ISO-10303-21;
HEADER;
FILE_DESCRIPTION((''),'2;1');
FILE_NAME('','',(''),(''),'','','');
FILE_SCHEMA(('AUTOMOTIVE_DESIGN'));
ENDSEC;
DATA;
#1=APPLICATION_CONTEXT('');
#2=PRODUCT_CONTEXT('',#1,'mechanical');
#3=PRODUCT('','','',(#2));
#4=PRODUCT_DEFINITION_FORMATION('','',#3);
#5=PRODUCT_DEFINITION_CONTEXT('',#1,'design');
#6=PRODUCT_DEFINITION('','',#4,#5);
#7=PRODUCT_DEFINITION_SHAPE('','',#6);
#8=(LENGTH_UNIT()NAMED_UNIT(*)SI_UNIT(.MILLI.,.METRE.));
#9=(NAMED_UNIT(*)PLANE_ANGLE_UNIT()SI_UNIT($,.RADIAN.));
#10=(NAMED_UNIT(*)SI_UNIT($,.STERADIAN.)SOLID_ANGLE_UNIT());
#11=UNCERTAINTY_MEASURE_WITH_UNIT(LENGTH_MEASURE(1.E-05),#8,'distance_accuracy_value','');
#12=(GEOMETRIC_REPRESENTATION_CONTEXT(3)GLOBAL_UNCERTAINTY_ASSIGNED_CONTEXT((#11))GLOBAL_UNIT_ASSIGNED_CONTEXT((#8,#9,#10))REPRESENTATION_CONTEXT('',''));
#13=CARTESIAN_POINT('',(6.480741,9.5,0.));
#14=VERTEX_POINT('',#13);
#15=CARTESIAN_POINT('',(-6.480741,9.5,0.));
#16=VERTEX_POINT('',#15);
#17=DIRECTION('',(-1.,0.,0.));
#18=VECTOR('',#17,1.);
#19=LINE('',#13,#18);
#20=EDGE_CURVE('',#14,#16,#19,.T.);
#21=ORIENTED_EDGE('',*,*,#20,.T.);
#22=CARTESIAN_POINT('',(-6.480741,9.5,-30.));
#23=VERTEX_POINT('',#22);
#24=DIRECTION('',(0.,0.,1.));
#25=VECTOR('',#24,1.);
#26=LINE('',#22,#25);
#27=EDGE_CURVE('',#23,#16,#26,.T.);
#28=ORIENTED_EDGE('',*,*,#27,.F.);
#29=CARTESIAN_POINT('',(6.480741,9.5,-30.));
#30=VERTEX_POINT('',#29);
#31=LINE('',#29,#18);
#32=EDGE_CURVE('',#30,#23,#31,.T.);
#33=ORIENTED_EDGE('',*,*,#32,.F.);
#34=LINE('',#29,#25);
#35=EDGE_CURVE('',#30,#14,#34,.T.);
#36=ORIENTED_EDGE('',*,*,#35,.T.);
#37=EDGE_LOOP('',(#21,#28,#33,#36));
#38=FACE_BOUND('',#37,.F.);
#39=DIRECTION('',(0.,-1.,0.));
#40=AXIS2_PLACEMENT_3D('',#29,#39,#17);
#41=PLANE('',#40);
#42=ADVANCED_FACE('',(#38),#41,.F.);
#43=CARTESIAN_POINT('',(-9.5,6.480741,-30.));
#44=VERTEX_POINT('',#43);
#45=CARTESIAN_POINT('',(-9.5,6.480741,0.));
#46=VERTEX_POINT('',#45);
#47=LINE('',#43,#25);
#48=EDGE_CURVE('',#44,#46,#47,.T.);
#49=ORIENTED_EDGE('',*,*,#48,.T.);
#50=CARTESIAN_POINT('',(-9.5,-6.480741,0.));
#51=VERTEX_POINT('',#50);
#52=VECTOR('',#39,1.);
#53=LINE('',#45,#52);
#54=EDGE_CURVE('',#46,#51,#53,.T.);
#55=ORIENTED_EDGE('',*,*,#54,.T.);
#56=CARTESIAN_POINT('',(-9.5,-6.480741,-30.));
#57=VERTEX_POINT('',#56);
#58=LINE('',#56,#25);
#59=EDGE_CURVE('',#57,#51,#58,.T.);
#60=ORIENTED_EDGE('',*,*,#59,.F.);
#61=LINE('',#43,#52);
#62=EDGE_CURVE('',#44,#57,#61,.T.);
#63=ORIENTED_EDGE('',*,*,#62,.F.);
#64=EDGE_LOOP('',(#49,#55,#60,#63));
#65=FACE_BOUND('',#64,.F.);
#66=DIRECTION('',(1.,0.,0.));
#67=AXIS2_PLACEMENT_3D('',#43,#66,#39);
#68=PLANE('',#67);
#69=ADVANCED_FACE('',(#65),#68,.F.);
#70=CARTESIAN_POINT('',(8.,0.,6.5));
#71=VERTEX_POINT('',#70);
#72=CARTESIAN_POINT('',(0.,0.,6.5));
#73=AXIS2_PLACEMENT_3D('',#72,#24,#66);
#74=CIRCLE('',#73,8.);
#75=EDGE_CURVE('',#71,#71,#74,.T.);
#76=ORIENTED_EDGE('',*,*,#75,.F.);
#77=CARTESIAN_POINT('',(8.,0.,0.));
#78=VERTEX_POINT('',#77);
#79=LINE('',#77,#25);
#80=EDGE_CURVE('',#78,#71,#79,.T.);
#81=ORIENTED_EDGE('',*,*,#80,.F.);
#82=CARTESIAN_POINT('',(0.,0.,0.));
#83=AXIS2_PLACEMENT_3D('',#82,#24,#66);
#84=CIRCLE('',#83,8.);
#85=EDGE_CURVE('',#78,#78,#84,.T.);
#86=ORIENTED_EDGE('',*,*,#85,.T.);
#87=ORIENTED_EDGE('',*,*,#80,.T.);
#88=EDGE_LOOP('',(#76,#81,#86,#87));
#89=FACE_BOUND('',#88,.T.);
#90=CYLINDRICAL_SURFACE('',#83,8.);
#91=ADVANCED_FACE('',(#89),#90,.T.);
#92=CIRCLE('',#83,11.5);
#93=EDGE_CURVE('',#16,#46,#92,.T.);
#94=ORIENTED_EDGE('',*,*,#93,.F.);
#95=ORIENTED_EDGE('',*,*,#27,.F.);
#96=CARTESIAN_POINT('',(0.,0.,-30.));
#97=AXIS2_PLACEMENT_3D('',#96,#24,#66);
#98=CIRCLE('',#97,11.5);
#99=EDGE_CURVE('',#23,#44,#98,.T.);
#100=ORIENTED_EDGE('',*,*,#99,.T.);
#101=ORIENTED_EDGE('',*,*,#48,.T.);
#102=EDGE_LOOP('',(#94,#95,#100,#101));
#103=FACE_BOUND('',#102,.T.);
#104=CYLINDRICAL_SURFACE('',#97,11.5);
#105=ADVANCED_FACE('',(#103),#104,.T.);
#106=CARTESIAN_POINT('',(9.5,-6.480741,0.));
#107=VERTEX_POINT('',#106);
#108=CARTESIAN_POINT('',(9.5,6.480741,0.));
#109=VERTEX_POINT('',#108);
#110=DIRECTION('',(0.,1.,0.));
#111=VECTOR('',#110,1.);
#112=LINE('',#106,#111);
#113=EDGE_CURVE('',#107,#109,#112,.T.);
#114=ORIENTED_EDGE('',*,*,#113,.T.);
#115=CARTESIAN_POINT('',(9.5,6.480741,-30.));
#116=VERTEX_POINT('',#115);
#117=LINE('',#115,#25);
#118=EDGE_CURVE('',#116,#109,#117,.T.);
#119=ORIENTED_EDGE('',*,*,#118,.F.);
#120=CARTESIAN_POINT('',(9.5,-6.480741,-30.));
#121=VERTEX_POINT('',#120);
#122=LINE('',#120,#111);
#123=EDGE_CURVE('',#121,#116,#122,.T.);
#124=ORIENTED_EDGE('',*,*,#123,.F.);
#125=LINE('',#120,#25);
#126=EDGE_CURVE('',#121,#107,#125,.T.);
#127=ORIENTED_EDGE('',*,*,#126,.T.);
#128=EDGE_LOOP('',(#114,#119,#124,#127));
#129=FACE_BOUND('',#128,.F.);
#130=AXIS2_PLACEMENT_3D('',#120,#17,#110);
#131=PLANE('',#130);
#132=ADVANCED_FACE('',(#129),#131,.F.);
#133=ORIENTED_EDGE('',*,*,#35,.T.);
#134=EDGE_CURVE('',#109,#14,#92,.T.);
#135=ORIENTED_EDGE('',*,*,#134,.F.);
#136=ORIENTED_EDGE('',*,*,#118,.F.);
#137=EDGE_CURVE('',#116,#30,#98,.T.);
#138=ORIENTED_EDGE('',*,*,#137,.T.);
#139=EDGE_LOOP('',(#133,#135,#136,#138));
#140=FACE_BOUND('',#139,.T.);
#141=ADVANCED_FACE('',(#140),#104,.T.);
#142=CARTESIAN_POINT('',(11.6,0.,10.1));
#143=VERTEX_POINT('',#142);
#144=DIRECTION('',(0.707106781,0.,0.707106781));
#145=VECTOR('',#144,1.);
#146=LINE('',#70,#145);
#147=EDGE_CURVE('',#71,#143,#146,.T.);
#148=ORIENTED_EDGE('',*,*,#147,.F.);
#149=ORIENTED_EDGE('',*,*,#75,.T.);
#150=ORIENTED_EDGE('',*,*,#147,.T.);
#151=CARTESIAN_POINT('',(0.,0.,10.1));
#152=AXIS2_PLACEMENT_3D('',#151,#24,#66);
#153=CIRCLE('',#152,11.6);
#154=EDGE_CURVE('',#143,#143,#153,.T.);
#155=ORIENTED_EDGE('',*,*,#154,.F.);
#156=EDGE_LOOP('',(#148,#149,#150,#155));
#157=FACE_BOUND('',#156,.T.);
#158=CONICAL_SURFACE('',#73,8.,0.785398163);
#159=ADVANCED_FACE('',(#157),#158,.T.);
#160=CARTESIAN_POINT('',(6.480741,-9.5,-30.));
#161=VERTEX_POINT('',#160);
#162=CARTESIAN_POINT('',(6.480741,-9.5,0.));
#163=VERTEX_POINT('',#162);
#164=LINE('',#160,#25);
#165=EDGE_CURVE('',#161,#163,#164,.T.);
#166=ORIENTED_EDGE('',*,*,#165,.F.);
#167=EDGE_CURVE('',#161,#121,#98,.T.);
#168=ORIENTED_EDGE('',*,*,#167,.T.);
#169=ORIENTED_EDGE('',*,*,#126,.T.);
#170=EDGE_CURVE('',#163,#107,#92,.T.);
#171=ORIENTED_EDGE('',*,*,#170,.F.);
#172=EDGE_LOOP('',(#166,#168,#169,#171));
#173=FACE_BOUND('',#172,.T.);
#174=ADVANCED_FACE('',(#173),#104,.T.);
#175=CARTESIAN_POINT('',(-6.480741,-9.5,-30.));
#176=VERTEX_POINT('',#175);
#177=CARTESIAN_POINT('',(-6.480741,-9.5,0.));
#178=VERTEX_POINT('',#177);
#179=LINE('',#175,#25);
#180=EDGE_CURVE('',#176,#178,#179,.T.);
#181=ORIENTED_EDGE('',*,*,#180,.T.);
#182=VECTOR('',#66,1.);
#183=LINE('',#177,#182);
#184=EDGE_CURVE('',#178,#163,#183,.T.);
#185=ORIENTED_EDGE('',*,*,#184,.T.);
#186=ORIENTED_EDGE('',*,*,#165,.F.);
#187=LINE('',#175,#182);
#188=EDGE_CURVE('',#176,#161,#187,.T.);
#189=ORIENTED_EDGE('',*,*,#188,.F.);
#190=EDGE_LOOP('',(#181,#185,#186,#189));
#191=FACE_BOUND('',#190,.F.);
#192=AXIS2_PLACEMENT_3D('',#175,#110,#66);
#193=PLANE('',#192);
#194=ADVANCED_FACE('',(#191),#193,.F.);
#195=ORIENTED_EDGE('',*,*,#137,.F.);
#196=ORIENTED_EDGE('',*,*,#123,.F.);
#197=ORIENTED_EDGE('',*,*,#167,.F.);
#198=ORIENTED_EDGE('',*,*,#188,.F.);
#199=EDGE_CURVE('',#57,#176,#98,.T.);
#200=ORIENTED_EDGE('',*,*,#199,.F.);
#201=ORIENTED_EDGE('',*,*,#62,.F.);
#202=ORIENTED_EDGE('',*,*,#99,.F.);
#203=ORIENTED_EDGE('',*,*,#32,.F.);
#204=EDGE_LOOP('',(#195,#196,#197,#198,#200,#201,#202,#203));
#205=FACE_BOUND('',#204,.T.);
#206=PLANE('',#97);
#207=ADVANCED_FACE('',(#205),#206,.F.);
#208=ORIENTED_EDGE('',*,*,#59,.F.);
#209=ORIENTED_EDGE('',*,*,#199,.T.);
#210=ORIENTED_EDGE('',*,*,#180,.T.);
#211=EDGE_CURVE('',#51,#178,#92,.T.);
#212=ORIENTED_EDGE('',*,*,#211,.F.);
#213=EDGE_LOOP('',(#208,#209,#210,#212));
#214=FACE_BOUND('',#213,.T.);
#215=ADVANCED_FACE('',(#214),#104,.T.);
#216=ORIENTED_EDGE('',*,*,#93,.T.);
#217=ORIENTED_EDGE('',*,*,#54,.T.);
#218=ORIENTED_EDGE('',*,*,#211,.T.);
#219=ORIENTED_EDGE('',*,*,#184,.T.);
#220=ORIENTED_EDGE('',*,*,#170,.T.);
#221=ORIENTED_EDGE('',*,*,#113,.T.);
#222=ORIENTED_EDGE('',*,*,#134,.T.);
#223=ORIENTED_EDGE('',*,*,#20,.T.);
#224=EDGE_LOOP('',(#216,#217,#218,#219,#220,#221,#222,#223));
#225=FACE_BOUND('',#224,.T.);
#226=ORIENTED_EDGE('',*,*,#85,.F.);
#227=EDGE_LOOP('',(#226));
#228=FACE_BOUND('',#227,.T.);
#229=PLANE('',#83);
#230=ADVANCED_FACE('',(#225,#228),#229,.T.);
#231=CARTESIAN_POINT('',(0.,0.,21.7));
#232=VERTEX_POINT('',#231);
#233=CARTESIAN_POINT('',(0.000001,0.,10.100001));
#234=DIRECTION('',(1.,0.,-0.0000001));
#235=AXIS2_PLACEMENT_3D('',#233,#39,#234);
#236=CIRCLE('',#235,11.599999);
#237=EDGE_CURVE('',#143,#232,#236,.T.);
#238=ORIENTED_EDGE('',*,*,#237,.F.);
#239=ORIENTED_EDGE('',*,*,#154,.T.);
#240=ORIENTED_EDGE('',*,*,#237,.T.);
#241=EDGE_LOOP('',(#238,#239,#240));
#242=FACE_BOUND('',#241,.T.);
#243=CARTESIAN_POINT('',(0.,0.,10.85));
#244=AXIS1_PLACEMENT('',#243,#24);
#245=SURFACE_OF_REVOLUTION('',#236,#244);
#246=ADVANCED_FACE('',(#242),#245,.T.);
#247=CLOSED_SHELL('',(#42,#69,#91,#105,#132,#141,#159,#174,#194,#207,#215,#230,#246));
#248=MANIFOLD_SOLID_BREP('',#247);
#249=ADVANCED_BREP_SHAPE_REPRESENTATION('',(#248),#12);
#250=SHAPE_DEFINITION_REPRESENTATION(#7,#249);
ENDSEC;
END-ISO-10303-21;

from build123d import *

# Parameters (mm, degrees)
F3_DEPTH = 30


with BuildPart() as f1:
    # F0 (on Front) → F1 (revolve)
    with BuildSketch(Plane.XZ):
        with BuildLine():
            Line((11.5, 0), (8, 0))
            Line((8, 0), (8, 6.5))
            Line((8, 6.5), (11.6, 10.1))
            ThreePointArc((11.6, 10.1), (8.202439, 18.302439), (0, 21.7))
            Line((0, 21.7), (0, 0))
            Line((0, 0), (0, -30))
            Line((0, -30), (11.5, -30))
            Line((11.5, -30), (11.5, 0))
        make_face()
    revolve(axis=Axis((0, 0, 10.85), (0, 0, 1)))

    # F2 (on face) → F3 (cut)
    with BuildSketch(Plane(origin=(0, 0, -30), x_dir=(1, 0, 0), z_dir=(0, 0, -1))):
        with BuildLine():
            Line((-6.480741, 9.5), (6.480741, 9.5))
            ThreePointArc((6.480741, 9.5), (0, 11.5), (-6.480741, 9.5))
        make_face()
        with BuildLine():
            Line((9.5, 6.480741), (9.5, 0))
            Line((9.5, 0), (9.5, -6.480741))
            ThreePointArc((9.5, -6.480741), (10.98863, -3.391165), (11.5, 0))
            ThreePointArc((11.5, 0), (10.98863, 3.391165), (9.5, 6.480741))
        make_face()
        with BuildLine():
            Line((-9.5, -6.480741), (-9.5, 6.480741))
            ThreePointArc((-9.5, 6.480741), (-11.5, 0), (-9.5, -6.480741))
        make_face()
        with BuildLine():
            ThreePointArc((-6.480741, -9.5), (0, -11.5), (6.480741, -9.5))
            Line((6.480741, -9.5), (-6.480741, -9.5))
        make_face()
    extrude(amount=-F3_DEPTH, mode=Mode.SUBTRACT)


solid = f1.part
